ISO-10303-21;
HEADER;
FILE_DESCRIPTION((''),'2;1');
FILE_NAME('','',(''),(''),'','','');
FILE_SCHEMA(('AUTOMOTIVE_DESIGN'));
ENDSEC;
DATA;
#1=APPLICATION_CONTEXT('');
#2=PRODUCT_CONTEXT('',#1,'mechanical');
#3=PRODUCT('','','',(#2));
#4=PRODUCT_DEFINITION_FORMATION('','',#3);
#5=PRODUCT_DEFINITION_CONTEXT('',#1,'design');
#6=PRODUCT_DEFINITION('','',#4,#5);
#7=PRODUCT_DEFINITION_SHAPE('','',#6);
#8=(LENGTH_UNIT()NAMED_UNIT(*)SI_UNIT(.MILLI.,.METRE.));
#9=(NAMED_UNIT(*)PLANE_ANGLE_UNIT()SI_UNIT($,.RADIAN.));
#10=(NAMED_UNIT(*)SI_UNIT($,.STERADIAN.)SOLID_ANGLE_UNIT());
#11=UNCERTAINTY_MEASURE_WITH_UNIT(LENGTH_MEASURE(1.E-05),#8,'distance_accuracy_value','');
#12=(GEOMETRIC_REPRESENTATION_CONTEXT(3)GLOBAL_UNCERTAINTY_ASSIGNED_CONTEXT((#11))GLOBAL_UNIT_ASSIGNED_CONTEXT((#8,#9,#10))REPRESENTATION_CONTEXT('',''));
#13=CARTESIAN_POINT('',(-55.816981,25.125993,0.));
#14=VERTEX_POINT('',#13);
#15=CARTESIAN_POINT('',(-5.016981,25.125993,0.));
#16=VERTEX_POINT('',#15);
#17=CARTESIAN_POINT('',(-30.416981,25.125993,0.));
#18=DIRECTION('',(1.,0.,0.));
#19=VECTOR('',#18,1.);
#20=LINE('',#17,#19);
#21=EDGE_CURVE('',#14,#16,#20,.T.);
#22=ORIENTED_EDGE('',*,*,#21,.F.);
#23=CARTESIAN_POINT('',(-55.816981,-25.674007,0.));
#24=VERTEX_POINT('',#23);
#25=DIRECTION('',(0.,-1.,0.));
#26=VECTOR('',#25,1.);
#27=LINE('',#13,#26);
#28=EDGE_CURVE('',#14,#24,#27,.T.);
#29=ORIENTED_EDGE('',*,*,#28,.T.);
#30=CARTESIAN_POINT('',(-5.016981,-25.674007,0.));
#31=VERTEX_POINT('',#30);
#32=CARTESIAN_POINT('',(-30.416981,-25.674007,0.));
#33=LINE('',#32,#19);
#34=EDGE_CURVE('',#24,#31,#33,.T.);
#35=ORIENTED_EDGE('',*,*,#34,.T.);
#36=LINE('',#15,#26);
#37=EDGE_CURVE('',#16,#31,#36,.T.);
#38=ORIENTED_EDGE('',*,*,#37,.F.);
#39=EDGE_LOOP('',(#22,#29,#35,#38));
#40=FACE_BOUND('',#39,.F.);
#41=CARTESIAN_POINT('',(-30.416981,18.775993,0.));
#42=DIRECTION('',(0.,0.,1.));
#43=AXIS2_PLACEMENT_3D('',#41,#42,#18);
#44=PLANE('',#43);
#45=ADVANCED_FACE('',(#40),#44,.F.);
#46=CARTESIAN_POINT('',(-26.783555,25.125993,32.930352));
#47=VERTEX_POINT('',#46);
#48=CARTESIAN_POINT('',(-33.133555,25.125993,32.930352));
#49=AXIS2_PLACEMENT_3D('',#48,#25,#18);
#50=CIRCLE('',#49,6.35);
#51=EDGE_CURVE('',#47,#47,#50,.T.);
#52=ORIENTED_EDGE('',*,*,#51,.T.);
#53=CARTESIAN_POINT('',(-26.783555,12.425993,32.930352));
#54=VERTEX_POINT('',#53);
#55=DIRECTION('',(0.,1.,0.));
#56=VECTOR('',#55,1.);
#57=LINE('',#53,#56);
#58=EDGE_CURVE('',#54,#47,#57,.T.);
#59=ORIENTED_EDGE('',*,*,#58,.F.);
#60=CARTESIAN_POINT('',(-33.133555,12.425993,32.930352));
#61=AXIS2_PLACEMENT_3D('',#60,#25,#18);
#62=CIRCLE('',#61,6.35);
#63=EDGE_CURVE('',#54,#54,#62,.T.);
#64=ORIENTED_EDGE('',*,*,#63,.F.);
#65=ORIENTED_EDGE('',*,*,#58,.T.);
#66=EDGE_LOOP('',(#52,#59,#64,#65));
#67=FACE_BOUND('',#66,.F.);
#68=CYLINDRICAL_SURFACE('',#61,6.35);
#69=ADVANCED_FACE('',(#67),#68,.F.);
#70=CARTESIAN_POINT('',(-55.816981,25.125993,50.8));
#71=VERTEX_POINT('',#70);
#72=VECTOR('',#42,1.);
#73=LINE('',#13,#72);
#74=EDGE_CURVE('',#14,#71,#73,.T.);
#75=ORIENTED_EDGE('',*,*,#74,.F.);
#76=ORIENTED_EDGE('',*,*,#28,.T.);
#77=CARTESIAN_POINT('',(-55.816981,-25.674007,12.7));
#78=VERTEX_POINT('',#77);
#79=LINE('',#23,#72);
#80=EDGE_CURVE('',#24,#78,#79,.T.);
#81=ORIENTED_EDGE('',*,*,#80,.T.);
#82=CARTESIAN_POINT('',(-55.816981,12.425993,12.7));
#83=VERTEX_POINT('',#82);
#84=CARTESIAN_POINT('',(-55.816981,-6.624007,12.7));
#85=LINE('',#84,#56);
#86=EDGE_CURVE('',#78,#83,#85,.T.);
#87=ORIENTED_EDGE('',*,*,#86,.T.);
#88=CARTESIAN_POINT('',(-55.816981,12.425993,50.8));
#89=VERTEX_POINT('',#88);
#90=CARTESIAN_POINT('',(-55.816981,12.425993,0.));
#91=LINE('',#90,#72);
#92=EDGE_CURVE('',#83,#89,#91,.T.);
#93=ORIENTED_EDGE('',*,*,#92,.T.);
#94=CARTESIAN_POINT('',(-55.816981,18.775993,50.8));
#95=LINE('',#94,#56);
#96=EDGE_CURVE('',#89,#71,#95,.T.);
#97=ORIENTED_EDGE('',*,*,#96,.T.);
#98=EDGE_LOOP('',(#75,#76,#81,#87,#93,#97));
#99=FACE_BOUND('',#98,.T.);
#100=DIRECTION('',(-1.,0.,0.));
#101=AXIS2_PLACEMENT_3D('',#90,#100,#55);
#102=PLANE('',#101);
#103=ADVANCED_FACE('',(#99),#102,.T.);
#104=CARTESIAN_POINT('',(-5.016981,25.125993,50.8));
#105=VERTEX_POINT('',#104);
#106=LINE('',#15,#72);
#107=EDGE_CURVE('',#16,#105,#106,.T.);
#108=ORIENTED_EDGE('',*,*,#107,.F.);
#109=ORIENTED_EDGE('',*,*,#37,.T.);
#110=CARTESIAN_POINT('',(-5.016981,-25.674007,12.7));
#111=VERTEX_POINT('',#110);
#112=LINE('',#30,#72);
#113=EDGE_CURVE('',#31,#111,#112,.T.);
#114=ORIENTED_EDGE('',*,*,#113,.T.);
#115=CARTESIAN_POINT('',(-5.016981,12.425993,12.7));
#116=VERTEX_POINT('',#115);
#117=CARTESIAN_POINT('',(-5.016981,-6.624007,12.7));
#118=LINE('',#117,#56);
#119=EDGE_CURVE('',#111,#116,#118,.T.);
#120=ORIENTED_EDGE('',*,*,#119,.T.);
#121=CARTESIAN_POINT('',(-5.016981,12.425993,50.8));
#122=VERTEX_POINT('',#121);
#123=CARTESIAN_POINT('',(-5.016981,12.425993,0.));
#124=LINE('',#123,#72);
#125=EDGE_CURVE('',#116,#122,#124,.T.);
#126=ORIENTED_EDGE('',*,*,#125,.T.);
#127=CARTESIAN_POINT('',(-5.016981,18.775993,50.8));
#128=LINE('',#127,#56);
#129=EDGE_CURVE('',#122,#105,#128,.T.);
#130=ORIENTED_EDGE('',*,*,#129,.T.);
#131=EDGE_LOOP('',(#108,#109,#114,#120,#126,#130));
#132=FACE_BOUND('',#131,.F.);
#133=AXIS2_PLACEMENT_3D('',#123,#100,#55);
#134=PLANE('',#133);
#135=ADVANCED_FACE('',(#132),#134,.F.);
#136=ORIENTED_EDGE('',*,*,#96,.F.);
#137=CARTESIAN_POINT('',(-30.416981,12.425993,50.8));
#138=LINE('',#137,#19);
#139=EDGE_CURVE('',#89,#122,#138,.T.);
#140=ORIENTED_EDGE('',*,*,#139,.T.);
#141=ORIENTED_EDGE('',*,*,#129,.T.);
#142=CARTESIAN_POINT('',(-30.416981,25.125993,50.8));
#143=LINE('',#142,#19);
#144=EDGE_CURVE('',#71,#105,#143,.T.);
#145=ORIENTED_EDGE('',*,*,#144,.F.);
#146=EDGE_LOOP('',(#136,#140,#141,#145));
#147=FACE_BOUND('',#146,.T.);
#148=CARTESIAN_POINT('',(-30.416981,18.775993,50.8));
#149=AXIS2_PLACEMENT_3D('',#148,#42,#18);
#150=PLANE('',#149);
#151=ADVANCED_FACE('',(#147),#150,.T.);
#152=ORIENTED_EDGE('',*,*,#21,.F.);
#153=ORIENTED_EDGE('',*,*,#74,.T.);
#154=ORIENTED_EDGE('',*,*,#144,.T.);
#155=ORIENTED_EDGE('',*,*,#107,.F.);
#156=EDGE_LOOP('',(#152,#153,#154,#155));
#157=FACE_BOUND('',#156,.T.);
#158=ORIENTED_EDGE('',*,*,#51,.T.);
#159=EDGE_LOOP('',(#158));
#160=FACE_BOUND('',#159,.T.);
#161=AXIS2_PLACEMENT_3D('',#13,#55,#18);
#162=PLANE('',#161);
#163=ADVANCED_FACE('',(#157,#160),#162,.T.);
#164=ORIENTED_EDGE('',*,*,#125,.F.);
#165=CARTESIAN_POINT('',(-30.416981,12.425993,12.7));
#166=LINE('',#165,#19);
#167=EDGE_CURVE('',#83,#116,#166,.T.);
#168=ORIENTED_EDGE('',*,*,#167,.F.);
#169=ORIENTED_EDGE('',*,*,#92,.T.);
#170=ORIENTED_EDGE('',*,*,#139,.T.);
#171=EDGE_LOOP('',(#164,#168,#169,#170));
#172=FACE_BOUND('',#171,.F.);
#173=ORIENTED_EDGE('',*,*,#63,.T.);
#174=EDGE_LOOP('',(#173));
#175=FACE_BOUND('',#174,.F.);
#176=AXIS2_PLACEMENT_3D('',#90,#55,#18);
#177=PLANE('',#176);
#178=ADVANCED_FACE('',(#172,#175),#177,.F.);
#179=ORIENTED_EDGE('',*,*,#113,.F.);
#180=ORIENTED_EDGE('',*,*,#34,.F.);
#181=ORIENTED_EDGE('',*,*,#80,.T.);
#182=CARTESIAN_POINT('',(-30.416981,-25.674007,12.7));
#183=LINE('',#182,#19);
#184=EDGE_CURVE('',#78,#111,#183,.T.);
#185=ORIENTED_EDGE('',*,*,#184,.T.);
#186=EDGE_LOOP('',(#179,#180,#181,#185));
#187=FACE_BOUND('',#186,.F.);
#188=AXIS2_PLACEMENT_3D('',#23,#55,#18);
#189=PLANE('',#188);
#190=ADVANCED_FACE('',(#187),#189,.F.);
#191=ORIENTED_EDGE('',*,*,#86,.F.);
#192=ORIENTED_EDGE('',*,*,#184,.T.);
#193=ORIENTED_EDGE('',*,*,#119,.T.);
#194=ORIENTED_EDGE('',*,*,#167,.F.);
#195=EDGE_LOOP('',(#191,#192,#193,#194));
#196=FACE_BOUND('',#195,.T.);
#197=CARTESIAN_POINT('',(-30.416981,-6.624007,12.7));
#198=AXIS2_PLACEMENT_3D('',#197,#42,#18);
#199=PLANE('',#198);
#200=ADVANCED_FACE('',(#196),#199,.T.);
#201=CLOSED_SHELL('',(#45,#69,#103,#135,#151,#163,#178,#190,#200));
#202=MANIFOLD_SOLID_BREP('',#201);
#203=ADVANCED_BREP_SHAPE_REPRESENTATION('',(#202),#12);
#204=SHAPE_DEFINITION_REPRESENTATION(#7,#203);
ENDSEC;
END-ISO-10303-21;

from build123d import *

# Parameters (mm, degrees)
F0_W     = 50.8
F0_H     = 38.1
F1_DEPTH = 12.7
F0_H_2   = 12.7
F2_DEPTH = 50.8
F3_R     = 6.35
F4_DEPTH = 12.7


with BuildPart() as f1:
    # F0 (on Top) → F1 (new body)
    with BuildSketch(Plane.XY):
        with Locations((-30.416981, -6.624007)):
            Rectangle(F0_W, F0_H)
    extrude(amount=F1_DEPTH)

    # F0 (on Top) → F2 (join)
    with BuildSketch(Plane.XY):
        with Locations((-30.416981, 18.775993)):
            Rectangle(F0_W, F0_H_2)
    extrude(amount=F2_DEPTH)

    # F3 (on face) → F4 (cut)
    with BuildSketch(Plane.XZ.offset(-12.425993)):
        with Locations((-33.133555, 32.930352)):
            Circle(F3_R)
    extrude(amount=-F4_DEPTH, mode=Mode.SUBTRACT)


solid = f1.part
